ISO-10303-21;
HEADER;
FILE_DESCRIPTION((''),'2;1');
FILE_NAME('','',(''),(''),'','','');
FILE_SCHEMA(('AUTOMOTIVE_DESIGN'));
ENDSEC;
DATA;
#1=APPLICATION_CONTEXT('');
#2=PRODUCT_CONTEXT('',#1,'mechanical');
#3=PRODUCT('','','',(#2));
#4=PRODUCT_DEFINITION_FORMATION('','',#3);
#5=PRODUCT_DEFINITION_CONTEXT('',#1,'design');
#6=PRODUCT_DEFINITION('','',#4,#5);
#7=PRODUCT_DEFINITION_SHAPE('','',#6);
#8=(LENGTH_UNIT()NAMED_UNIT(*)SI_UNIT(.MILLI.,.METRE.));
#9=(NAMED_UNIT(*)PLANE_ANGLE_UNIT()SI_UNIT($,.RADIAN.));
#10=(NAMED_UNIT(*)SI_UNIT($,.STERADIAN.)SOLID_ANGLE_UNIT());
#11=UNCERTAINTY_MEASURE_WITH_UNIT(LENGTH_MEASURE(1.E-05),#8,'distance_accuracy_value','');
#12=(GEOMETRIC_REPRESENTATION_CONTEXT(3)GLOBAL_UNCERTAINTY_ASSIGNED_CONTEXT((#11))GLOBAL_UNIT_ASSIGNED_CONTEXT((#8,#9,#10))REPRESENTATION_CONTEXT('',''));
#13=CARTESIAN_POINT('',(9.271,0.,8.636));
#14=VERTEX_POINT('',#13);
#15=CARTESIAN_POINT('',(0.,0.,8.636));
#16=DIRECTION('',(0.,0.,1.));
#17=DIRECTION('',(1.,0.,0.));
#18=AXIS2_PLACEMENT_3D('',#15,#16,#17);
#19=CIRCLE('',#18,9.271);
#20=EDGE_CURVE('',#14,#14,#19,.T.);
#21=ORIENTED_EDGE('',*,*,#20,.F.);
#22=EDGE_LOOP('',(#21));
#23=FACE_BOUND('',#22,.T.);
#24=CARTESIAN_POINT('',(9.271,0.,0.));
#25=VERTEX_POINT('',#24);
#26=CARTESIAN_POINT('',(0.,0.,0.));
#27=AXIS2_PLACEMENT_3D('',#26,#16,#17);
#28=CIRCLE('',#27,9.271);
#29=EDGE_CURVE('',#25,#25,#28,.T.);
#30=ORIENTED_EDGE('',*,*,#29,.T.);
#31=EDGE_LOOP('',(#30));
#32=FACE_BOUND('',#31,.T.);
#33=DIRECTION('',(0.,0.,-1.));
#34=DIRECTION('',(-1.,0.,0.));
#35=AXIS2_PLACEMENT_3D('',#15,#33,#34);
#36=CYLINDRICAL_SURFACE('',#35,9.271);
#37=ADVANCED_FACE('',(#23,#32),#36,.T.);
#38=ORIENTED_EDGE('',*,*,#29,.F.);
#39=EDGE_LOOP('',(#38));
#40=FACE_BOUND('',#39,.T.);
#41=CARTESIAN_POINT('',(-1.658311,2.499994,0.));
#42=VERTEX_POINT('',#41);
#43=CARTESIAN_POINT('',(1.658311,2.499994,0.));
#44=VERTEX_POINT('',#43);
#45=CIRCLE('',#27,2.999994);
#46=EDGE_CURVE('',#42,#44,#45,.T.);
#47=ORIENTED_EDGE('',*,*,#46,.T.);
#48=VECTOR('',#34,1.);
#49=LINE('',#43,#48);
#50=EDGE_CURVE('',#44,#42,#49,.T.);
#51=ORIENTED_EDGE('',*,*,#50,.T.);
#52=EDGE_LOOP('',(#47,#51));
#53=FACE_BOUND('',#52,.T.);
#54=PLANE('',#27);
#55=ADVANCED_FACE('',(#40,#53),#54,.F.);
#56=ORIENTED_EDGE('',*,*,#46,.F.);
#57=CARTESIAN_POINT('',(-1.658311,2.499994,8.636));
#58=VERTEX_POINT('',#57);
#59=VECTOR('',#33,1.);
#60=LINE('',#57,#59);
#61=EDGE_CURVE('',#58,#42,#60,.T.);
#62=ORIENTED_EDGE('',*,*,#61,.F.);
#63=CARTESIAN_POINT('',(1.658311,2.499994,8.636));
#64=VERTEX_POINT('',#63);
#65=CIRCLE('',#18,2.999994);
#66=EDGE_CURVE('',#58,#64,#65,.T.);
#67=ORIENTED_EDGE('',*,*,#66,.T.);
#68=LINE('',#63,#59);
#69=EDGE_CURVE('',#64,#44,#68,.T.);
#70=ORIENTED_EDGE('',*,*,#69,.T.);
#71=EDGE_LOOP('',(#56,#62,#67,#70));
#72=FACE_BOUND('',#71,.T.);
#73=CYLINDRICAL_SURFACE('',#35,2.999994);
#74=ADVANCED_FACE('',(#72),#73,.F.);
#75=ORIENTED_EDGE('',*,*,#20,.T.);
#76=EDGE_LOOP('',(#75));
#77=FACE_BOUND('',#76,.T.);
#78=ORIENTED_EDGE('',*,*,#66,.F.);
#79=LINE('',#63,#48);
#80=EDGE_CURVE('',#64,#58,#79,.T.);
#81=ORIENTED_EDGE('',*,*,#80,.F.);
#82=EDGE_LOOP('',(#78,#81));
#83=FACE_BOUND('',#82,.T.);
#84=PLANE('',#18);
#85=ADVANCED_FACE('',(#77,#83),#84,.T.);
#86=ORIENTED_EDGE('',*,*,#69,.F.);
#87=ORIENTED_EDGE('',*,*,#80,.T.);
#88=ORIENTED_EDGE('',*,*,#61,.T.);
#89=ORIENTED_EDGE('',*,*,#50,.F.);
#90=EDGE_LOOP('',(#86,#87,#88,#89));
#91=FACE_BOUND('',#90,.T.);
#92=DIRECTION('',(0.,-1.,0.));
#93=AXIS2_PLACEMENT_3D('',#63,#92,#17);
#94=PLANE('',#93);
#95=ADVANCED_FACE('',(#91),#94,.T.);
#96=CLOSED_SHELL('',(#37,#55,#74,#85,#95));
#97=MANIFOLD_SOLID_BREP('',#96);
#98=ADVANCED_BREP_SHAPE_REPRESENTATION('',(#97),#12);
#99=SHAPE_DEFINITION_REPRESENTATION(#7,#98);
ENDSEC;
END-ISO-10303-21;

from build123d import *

# Parameters (mm, degrees)
SKETCH1_R           = 9.271
BOSS_EXTRUDE1_DEPTH = 8.636


with BuildPart() as part:
    # Sketch1 → Boss-Extrude1 (new body)
    with BuildSketch(Plane.XY):
        Circle(SKETCH1_R)
        with BuildLine():
            Line((1.658310586, 2.499994), (-1.658310586, 2.499994))
            ThreePointArc((-1.658310586, 2.499994), (0, -2.999994), (1.658310586, 2.499994))
        make_face(mode=Mode.SUBTRACT)
    extrude(amount=BOSS_EXTRUDE1_DEPTH)


solid = part.part
